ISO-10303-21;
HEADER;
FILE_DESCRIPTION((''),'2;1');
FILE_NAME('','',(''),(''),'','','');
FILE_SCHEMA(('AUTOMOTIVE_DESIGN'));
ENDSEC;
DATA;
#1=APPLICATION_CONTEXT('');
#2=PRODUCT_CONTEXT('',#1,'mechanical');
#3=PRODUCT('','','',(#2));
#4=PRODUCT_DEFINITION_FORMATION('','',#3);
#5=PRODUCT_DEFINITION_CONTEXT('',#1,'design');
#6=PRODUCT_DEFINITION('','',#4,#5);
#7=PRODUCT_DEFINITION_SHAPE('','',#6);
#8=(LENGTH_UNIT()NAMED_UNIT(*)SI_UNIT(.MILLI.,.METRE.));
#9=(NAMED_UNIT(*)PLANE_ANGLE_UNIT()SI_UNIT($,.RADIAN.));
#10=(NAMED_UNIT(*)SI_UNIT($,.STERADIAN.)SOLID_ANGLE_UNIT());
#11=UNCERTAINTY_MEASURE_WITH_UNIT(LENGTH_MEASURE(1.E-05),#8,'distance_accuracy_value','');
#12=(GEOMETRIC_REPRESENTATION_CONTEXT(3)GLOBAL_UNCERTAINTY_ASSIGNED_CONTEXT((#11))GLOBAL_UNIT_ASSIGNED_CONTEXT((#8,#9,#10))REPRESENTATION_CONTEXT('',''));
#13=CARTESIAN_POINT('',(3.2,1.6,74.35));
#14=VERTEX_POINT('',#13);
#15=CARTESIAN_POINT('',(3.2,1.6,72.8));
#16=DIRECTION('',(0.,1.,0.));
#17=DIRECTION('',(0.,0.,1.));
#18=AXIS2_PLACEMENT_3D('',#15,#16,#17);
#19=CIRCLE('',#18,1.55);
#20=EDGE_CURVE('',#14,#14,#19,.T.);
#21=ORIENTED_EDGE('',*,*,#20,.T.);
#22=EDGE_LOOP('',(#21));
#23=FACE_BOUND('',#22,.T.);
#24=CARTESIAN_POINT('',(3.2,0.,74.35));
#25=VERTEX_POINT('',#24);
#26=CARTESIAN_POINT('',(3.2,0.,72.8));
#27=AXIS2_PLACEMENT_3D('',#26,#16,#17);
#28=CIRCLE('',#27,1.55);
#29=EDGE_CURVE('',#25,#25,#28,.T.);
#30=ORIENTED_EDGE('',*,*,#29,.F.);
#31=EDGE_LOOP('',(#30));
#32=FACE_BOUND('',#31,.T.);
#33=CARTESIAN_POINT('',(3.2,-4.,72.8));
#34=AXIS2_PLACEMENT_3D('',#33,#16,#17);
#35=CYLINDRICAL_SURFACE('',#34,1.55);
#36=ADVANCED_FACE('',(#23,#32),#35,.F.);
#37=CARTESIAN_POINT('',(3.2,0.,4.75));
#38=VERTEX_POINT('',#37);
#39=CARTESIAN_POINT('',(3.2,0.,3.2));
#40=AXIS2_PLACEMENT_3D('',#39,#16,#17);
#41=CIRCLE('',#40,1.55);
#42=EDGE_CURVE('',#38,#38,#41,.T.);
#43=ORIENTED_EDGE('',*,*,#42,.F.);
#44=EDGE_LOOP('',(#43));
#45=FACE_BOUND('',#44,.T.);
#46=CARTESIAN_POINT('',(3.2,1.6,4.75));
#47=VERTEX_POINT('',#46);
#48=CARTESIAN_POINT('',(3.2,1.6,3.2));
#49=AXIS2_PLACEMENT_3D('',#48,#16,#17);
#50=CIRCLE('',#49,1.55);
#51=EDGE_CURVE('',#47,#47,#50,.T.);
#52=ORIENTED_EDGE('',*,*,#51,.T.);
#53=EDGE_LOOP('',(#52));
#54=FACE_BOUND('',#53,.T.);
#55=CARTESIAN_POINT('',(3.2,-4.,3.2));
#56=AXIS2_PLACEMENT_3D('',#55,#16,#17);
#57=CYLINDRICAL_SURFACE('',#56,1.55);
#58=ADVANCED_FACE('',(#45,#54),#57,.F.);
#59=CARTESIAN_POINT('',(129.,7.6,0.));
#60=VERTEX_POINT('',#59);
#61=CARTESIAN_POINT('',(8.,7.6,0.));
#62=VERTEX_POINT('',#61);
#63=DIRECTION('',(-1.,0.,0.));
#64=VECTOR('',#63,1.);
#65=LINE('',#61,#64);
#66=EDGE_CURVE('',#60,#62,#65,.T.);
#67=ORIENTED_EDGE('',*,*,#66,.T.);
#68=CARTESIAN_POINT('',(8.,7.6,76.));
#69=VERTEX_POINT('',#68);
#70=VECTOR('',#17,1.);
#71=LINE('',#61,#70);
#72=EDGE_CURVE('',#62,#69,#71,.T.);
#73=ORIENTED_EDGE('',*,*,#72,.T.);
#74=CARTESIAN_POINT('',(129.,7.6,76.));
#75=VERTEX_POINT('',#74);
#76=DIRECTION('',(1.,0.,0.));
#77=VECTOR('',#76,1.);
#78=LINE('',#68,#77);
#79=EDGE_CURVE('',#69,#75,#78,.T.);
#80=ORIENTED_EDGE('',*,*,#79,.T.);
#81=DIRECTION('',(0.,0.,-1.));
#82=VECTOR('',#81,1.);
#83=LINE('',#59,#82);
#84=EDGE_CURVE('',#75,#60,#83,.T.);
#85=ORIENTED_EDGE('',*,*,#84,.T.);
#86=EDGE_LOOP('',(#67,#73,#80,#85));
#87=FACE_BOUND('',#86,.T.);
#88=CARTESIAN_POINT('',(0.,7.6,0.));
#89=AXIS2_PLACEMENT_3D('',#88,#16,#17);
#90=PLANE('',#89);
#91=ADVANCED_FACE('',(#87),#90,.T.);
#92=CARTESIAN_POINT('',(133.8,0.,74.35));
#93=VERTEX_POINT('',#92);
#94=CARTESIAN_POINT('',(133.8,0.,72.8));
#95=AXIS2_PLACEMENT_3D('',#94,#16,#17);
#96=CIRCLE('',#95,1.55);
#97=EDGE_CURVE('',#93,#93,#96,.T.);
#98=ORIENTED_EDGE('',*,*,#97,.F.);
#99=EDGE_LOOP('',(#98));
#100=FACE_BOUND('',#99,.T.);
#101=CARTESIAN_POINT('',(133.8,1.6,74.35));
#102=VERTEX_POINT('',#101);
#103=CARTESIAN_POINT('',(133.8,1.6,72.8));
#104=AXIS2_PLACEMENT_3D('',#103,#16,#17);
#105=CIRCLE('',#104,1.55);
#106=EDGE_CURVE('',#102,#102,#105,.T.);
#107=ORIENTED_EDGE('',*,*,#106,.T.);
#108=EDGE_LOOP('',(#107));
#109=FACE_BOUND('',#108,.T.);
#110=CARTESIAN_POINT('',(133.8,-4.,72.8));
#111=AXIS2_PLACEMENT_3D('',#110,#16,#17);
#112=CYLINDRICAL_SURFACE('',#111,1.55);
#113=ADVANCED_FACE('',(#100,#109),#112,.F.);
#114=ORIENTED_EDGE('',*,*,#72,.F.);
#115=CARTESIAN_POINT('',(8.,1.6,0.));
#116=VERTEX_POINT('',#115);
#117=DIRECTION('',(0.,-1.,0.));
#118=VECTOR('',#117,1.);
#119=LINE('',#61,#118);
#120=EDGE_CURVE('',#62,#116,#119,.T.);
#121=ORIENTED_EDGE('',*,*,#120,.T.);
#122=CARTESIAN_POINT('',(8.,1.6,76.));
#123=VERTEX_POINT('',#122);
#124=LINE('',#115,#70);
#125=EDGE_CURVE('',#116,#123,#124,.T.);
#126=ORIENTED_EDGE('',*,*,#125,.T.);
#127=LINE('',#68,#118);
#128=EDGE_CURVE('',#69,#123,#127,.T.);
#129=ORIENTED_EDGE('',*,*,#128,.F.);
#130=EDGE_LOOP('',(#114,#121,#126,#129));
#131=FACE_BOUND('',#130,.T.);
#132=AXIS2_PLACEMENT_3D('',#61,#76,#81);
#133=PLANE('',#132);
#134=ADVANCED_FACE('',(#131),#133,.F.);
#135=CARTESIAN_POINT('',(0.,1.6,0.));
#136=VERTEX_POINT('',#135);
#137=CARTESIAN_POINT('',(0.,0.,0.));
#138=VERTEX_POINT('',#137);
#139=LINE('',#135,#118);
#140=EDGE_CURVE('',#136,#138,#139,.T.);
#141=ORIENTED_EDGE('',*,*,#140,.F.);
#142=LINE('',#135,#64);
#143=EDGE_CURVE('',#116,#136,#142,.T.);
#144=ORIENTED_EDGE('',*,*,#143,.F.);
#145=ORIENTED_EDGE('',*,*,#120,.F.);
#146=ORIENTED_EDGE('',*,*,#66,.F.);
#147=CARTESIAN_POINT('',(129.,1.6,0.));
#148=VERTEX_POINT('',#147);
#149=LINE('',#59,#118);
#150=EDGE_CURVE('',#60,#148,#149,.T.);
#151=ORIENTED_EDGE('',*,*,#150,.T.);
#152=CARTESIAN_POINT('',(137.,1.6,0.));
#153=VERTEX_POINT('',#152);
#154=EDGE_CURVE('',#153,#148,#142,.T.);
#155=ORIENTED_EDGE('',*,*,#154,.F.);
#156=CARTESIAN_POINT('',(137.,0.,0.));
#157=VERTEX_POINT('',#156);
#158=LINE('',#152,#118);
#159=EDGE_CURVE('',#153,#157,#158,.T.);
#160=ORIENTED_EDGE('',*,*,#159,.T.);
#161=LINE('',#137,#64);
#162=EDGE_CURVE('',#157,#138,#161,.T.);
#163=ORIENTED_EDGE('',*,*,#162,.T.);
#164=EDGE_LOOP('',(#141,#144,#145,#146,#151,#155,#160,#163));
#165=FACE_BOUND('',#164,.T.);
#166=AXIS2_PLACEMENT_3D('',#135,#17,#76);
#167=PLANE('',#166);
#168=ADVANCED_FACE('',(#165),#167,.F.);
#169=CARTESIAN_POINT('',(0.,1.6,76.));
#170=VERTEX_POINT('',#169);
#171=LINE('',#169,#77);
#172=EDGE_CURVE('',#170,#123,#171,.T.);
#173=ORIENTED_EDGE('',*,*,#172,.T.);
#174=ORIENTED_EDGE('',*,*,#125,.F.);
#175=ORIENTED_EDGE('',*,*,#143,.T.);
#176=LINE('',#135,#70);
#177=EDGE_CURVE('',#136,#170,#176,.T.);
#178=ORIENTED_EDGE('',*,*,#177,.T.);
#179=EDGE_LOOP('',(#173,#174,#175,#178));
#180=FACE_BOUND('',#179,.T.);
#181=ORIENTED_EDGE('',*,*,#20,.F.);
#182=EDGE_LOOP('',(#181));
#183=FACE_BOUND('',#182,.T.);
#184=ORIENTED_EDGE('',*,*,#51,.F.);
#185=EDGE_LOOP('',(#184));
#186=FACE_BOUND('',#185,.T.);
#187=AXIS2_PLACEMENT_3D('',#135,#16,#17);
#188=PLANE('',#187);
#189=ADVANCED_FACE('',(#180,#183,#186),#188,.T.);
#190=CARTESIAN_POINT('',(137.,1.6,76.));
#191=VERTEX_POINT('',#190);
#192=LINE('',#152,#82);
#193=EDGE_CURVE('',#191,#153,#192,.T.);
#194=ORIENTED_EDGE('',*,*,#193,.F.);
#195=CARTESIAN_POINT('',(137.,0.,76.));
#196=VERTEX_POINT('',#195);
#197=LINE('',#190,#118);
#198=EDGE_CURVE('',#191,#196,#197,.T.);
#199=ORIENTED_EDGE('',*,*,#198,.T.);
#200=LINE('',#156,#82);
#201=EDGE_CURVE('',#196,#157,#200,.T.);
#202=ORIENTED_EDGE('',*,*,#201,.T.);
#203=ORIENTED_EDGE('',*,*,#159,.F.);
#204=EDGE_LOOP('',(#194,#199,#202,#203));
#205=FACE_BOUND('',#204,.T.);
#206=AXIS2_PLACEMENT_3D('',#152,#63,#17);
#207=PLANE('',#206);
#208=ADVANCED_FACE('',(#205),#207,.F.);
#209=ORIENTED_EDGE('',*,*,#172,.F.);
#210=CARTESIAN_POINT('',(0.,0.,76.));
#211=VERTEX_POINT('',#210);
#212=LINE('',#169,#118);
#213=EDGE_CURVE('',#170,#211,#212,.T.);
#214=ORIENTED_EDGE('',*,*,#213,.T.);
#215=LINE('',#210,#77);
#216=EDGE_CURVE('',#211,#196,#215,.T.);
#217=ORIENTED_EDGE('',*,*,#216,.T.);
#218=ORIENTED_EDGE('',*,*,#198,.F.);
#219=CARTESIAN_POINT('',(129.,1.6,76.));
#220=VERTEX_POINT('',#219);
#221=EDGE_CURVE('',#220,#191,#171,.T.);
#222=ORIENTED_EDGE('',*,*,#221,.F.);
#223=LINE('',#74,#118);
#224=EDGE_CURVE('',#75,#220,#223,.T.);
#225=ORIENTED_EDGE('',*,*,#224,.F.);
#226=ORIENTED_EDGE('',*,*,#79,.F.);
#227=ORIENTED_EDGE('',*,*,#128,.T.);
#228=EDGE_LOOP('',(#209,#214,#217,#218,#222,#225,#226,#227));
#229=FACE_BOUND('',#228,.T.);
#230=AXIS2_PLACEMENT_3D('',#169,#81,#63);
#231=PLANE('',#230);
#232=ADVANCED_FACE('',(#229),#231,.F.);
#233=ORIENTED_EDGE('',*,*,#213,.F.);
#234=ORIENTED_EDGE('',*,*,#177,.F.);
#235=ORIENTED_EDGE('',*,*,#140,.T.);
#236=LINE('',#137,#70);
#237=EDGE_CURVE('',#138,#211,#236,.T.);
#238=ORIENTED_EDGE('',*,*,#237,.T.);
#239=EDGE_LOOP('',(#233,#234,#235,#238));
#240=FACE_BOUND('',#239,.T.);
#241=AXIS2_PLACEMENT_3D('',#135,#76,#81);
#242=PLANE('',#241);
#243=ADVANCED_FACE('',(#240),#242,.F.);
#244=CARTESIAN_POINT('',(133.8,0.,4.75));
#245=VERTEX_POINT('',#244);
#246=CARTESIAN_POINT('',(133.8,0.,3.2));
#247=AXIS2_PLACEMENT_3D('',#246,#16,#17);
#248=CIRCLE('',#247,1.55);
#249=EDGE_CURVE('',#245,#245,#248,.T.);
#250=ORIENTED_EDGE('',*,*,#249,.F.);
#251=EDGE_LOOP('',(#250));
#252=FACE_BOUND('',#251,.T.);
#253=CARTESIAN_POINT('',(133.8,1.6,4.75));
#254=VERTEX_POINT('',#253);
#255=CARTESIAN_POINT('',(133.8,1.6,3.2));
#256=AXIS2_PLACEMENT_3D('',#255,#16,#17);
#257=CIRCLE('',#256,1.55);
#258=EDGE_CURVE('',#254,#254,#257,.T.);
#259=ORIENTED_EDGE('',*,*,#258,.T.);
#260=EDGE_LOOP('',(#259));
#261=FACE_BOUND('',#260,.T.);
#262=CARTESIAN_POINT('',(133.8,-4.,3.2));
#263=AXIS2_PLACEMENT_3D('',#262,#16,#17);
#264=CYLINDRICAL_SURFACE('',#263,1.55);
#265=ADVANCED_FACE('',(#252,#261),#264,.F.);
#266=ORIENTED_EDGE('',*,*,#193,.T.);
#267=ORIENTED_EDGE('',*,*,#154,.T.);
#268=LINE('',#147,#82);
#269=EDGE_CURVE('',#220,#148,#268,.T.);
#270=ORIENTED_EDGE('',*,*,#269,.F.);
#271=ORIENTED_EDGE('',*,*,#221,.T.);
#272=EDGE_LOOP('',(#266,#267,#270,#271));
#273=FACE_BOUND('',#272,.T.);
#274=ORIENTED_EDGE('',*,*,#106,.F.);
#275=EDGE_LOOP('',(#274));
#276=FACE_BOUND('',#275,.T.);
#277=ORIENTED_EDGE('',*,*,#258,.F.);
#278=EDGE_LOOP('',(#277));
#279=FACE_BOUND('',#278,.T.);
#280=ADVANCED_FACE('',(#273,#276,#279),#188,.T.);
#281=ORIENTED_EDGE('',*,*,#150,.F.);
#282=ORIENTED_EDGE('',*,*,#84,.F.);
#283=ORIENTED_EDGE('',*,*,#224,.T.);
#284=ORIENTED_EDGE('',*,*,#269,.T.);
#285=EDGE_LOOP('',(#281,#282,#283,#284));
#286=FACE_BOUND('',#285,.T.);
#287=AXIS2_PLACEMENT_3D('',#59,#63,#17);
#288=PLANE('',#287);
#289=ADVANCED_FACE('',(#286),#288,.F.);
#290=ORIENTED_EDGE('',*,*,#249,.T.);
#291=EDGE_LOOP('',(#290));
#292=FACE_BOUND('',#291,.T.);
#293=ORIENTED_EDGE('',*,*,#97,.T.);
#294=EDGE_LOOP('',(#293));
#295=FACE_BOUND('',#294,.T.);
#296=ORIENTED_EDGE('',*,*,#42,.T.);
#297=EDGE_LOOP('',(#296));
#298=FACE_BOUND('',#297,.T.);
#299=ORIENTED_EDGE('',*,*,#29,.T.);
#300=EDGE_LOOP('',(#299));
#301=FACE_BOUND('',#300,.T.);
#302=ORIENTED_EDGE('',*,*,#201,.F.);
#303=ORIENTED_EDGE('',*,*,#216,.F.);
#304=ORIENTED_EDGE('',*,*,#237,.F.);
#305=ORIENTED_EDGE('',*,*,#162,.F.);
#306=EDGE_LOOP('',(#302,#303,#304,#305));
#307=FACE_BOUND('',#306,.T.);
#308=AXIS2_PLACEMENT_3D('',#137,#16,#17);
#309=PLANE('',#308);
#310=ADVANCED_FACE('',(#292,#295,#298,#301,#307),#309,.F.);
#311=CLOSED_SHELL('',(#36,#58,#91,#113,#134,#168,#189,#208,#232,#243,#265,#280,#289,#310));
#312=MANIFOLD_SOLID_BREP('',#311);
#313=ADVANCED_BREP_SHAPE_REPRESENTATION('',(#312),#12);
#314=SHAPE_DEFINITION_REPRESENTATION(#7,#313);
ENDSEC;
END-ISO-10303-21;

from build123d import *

# Parameters (mm, degrees)
SKETCH_1_W          = 137
SKETCH_1_H          = 76
EXTRUDE_1_DEPTH     = 1.6
SKETCH_2_W          = 121
SKETCH_2_H          = 76
EXTRUDE_2_DEPTH     = 6
SKETCH_3_R          = 1.55
CUT_EXTRUDE_1_DEPTH = 5.6


with BuildPart() as part:
    # 草图1 → 凸台-拉伸1 (new body)
    with BuildSketch(Plane(origin=(0, 0, 0), x_dir=(1, 0, 0), z_dir=(0, 1, 0))):
        with Locations((68.5, -38)):
            Rectangle(SKETCH_1_W, SKETCH_1_H)
    extrude(amount=EXTRUDE_1_DEPTH)

    # 草图2 → 凸台-拉伸2 (add)
    with BuildSketch(Plane(origin=(0, 1.6, 0), x_dir=(1, 0, 0), z_dir=(0, 1, 0))):
        with Locations((68.5, -38)):
            Rectangle(SKETCH_2_W, SKETCH_2_H)
    extrude(amount=EXTRUDE_2_DEPTH)

    # 草图3 → 切除-拉伸1 (cut)
    with BuildSketch(Plane(origin=(0, 1.6, 0), x_dir=(1, 0, 0), z_dir=(0, 1, 0))):
        with Locations(Location((3.2, -3.2, 0), (0, 0, 270))):
            Circle(SKETCH_3_R)
        with Locations(Location((3.2, -72.8, 0), (0, 0, 270))):
            Circle(SKETCH_3_R)
        with Locations(Location((133.8, -3.2, 0), (0, 0, 270))):
            Circle(SKETCH_3_R)
        with Locations(Location((133.8, -72.8, 0), (0, 0, 270))):
            Circle(SKETCH_3_R)
    extrude(amount=-CUT_EXTRUDE_1_DEPTH, mode=Mode.SUBTRACT)


solid = part.part
